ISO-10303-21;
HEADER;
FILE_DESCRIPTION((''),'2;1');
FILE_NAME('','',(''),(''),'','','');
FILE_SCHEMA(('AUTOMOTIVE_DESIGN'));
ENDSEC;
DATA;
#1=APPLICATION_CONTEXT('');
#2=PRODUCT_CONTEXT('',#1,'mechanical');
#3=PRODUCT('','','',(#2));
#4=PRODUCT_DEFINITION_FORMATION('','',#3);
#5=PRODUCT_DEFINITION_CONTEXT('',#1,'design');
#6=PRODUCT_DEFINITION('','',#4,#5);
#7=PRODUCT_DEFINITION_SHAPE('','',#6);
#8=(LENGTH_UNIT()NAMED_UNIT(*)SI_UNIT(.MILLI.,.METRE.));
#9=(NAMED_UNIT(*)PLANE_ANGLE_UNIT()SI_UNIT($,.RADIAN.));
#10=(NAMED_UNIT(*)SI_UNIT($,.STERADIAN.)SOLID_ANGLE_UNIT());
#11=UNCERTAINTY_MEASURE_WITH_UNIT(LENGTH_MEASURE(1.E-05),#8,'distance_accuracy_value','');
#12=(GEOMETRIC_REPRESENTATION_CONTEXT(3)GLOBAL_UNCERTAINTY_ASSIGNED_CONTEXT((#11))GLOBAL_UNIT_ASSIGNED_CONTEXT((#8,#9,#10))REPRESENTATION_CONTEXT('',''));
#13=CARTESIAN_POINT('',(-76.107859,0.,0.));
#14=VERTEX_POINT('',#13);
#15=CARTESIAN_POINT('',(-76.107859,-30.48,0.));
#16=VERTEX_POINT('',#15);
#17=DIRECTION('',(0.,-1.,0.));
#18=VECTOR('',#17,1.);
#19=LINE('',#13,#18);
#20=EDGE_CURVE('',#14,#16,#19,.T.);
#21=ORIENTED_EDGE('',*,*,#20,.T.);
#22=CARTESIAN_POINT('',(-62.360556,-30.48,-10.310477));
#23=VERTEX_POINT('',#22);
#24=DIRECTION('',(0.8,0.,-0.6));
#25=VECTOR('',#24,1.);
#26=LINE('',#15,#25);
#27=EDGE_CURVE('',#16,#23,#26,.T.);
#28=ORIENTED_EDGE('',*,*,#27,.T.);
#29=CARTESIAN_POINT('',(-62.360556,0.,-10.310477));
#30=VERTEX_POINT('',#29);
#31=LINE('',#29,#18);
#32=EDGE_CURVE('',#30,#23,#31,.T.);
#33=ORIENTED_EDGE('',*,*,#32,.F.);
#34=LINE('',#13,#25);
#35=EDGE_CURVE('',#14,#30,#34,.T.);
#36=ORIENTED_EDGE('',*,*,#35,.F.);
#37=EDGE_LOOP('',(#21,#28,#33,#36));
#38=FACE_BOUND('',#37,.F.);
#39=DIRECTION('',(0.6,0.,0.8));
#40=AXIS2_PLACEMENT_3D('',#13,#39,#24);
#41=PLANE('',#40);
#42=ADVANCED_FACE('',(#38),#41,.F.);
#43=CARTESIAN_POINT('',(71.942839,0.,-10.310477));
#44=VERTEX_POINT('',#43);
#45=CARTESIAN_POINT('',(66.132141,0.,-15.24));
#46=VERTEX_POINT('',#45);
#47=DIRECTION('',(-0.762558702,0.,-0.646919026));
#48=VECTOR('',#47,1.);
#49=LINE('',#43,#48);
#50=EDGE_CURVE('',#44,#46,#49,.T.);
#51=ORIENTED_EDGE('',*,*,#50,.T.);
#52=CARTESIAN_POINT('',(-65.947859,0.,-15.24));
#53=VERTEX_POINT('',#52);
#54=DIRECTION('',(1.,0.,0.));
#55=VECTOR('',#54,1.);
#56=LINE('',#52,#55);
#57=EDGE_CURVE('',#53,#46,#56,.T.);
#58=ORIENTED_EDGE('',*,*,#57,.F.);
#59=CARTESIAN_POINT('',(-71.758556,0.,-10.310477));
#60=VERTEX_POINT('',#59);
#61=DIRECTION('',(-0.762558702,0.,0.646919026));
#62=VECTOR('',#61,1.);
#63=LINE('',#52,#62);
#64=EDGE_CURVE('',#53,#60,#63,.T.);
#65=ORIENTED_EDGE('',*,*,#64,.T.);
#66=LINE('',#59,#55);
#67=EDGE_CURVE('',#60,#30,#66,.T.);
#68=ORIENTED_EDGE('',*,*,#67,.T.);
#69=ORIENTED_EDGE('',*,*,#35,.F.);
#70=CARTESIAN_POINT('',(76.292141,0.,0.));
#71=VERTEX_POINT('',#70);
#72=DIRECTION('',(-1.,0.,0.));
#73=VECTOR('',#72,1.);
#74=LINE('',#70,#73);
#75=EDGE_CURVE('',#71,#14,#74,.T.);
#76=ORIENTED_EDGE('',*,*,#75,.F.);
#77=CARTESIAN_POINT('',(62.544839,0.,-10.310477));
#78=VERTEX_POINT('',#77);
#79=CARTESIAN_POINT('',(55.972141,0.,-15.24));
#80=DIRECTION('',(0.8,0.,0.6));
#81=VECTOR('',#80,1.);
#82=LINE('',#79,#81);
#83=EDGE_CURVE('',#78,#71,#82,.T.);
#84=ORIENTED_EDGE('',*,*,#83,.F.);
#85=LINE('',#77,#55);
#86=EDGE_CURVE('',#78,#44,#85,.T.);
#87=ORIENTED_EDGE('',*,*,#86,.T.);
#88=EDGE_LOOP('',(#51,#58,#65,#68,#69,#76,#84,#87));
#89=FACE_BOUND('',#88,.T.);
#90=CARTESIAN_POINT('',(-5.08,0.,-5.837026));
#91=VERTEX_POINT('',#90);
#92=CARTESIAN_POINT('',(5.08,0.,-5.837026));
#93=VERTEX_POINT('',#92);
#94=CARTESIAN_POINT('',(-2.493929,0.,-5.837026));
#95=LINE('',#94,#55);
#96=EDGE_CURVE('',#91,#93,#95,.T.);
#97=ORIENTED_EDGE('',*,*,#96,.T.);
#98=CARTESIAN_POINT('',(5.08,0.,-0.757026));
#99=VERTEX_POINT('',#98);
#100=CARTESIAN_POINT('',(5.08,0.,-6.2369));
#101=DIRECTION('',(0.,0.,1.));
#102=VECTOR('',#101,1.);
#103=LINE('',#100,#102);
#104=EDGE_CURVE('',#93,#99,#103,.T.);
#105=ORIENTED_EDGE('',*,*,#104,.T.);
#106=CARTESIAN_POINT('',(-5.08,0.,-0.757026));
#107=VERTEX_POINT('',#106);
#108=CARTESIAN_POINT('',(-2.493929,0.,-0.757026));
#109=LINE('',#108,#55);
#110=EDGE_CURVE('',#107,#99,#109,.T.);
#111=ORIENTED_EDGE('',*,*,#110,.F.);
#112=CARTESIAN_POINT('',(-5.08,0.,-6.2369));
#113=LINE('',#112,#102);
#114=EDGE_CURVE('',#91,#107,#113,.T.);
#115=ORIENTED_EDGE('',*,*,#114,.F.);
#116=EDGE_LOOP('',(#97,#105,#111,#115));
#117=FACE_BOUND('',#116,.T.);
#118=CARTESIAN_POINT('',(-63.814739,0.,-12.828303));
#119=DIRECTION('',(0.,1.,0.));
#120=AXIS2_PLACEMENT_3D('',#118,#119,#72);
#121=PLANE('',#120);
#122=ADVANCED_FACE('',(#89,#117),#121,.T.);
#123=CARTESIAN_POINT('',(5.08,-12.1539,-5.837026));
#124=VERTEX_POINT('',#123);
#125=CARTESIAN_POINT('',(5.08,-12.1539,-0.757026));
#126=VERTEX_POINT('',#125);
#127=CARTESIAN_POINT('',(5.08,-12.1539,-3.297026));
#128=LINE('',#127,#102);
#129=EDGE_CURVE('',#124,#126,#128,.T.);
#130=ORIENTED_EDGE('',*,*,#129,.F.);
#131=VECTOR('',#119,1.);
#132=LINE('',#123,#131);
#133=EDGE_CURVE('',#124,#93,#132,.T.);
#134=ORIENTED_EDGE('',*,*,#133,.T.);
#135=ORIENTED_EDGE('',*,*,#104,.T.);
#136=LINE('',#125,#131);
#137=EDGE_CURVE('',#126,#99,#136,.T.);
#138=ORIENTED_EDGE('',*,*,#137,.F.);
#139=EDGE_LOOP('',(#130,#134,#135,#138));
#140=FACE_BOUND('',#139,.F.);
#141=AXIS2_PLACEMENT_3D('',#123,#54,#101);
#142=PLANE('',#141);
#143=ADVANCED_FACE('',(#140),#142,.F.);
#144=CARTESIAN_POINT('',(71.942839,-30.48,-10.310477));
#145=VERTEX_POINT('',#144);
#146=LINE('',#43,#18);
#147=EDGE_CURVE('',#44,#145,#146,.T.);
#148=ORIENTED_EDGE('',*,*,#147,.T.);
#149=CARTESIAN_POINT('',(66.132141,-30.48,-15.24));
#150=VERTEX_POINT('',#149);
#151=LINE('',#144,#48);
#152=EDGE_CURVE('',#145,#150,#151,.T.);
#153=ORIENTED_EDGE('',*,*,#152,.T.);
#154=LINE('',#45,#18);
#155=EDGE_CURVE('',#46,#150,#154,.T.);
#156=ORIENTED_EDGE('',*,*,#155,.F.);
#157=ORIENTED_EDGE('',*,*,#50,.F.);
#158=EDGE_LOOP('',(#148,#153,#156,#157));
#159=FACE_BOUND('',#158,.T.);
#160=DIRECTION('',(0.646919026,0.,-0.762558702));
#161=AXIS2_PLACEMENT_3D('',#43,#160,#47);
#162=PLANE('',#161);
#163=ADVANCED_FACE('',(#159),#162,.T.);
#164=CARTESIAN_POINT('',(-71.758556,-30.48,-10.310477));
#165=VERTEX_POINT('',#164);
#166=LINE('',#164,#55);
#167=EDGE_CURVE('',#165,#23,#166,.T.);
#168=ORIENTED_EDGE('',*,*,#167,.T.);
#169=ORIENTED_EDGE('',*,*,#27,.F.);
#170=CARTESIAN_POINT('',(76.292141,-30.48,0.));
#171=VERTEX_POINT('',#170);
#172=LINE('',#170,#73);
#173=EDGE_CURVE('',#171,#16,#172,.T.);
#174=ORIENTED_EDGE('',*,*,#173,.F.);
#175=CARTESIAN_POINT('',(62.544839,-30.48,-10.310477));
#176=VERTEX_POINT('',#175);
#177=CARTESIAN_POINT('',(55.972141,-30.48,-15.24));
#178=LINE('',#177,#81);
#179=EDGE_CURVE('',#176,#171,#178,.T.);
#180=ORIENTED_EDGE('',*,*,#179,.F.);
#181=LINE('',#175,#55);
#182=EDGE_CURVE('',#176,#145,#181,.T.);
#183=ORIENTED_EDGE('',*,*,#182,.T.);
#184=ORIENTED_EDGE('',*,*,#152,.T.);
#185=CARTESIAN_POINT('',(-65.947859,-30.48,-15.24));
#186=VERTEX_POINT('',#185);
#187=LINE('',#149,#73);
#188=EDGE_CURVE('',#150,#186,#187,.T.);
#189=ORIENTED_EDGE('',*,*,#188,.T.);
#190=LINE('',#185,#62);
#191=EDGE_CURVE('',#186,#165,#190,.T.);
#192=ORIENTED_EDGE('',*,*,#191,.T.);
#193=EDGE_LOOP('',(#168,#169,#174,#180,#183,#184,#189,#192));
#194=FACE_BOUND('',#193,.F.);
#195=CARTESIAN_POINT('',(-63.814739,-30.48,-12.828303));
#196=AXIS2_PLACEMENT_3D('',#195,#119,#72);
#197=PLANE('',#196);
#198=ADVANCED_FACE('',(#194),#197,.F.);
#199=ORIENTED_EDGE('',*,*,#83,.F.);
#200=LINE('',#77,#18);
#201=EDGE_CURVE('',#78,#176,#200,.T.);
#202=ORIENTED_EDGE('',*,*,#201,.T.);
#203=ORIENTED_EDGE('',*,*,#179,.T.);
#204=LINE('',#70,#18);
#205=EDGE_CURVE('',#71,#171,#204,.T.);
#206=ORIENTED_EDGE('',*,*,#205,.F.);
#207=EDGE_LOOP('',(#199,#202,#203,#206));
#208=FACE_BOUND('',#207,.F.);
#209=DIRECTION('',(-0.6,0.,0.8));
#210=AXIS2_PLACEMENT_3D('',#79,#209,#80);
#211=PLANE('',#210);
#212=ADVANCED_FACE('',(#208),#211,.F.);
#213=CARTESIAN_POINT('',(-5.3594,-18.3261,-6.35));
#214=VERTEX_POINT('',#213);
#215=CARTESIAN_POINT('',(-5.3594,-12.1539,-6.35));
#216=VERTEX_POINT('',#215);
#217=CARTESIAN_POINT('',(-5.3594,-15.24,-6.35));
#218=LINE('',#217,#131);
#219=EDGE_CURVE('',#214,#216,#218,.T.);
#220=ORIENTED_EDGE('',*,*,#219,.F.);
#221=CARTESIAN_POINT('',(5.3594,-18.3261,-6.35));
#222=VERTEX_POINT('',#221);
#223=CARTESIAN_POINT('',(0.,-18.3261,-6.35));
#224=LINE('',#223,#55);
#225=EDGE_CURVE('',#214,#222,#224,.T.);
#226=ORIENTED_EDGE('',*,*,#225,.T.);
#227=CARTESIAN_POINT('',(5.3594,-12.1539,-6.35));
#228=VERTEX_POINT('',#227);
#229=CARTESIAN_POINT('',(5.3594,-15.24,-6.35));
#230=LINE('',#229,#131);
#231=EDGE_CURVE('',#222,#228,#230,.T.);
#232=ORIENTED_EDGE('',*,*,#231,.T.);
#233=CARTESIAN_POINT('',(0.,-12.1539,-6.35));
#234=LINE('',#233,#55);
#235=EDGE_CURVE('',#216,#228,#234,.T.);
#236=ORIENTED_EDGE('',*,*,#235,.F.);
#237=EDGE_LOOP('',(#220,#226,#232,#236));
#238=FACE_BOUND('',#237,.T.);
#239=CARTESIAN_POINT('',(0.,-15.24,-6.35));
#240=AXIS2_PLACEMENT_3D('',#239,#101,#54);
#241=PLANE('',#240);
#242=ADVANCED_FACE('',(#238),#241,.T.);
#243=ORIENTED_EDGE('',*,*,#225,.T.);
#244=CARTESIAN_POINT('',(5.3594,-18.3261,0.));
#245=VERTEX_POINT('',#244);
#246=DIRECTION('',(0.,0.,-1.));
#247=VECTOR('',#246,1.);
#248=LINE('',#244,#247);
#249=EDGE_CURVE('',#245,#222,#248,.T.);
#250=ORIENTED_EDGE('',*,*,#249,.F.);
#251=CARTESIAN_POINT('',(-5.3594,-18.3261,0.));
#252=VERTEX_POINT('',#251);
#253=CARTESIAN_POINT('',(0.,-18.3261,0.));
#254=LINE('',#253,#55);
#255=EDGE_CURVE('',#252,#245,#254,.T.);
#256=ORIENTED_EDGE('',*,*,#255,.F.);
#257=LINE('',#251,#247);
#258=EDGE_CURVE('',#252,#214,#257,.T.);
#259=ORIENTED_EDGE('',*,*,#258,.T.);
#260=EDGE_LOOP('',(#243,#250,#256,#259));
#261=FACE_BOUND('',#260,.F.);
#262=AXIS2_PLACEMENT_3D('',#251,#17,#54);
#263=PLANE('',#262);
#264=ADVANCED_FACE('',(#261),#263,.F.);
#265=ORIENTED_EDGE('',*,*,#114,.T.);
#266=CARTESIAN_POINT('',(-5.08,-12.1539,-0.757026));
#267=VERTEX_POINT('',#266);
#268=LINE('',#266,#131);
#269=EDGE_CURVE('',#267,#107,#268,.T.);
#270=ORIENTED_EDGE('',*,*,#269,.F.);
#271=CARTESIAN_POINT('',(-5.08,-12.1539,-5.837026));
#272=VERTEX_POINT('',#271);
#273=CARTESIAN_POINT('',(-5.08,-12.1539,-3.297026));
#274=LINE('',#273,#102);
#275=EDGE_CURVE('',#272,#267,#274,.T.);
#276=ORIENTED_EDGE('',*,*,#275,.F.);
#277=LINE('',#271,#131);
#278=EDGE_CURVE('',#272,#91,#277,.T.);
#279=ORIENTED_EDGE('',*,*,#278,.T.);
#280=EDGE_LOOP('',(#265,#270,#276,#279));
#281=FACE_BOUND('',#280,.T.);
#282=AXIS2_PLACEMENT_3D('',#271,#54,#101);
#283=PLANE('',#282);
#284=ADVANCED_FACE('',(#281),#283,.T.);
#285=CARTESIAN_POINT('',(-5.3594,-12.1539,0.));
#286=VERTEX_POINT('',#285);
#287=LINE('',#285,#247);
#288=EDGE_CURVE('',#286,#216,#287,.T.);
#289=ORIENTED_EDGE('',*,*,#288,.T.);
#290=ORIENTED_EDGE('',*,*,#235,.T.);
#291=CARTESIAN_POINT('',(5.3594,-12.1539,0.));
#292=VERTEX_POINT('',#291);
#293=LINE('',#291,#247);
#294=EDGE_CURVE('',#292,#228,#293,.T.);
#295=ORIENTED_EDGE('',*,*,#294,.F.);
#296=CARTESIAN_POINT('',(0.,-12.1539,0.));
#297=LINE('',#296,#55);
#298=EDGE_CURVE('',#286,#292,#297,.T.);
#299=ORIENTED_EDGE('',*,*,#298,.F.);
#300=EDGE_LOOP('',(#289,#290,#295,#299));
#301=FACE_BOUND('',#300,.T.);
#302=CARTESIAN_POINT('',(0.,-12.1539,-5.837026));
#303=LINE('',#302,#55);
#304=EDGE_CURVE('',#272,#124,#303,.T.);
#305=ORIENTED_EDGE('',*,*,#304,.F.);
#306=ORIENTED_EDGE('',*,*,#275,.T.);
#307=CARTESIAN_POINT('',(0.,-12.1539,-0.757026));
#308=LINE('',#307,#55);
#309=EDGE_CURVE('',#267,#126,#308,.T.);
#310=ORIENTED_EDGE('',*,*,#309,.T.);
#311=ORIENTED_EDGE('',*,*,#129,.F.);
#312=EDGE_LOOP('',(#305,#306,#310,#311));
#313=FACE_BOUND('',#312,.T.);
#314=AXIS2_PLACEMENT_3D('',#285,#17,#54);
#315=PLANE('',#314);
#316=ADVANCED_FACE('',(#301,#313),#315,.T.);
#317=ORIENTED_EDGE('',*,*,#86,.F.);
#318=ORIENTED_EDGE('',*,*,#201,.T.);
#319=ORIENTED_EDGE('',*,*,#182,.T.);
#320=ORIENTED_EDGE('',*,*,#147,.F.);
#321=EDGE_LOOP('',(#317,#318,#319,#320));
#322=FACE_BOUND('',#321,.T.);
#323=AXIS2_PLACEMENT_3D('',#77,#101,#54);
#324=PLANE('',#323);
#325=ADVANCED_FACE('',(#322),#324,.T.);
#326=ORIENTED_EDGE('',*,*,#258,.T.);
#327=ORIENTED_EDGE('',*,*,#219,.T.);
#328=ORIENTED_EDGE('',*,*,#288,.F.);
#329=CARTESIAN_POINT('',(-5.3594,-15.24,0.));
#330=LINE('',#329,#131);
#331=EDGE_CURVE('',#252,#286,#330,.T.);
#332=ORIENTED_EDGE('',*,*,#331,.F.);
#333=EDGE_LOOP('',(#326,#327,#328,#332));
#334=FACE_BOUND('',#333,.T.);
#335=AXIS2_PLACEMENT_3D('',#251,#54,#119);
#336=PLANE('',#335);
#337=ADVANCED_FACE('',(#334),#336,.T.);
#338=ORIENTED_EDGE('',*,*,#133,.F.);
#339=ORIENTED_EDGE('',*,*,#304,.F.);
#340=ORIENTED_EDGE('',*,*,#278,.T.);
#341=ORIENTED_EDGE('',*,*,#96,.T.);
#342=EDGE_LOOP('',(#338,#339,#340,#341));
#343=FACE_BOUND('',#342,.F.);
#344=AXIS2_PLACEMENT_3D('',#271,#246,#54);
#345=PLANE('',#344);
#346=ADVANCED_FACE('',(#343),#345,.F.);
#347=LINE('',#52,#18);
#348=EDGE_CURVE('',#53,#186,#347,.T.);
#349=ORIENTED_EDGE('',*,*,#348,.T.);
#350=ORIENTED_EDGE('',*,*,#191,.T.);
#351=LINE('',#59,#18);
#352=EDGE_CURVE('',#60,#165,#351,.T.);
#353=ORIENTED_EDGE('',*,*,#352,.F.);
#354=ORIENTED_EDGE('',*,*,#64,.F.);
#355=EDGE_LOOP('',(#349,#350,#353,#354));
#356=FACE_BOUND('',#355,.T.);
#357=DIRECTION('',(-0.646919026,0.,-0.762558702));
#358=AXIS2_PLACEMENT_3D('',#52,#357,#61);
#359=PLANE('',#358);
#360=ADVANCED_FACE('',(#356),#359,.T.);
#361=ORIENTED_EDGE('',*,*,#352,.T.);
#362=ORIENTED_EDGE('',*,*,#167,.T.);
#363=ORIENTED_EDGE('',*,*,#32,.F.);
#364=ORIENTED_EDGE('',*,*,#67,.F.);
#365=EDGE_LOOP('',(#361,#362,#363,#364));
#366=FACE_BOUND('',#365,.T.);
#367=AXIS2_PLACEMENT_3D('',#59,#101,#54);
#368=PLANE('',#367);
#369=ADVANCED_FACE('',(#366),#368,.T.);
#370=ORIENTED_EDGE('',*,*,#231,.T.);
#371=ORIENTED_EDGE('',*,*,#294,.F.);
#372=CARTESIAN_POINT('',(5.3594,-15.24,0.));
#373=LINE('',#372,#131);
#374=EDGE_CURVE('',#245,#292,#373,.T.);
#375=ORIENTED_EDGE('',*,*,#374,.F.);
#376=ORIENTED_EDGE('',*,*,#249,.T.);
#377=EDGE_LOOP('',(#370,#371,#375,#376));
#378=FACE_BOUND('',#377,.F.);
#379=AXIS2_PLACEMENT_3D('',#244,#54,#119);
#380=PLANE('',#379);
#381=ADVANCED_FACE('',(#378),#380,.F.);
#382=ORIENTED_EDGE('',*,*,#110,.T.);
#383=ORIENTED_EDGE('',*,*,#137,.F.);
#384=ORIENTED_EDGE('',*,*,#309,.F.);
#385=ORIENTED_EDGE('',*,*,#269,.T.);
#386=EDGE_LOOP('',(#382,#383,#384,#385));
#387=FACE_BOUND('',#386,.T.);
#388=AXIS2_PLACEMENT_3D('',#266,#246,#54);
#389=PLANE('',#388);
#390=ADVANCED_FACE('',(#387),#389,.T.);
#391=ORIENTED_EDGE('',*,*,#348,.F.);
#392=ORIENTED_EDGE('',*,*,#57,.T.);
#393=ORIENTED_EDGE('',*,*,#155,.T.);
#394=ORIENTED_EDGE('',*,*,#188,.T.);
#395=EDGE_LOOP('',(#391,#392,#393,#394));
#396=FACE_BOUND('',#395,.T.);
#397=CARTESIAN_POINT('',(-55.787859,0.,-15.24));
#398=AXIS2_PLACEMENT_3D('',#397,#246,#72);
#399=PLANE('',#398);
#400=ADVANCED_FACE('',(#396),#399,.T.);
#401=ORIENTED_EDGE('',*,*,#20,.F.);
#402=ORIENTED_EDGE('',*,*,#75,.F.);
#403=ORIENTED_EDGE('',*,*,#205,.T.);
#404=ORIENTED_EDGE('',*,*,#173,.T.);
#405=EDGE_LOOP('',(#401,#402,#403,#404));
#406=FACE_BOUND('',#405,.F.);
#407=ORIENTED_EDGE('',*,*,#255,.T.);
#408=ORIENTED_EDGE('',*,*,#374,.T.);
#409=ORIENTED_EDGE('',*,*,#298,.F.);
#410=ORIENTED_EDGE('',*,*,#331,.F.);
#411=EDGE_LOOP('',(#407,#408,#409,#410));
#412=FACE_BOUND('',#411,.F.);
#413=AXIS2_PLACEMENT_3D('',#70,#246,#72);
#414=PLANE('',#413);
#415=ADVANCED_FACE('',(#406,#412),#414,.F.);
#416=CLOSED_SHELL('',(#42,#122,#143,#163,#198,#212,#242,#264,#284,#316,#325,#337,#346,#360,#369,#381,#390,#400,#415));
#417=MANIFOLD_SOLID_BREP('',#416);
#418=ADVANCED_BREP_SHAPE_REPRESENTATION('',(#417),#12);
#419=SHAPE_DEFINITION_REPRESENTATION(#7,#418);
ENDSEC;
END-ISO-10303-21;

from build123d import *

# Parameters (mm, degrees)
F1_DEPTH = 30.48
F2_W     = 10.7188
F2_H     = 6.1722
F3_DEPTH = 6.35
F4_W     = 10.16
F4_H     = 5.08
F5_DEPTH = 25.4
F7_DEPTH = 30.48


with BuildPart() as f1:
    # F0 (on Front) → F1 (new body)
    with BuildSketch(Plane.XZ):
        Polygon((76.2921414277, 0), (-76.1078585723, 0), (-55.7878585723, -15.24), (55.9721414277, -15.24), align=None)
    extrude(amount=F1_DEPTH)

    # F2 (on face) → F3 (cut)
    with BuildSketch(Plane.XY):
        with Locations((0, -15.24)):
            Rectangle(F2_W, F2_H)
    extrude(amount=-F3_DEPTH, mode=Mode.SUBTRACT)

    # F4 (on face) → F5 (cut)
    with BuildSketch(Plane.XZ.offset(12.1539)):
        with Locations((0, -3.297025953)):
            Rectangle(F4_W, F4_H)
    extrude(amount=-F5_DEPTH, mode=Mode.SUBTRACT)

    # F6 (on face) → F7 (join)
    with BuildSketch(Plane(origin=(0, 0, 0), x_dir=(-1, 0, 0), z_dir=(0, 1, 0))):
        Polygon((62.3605558789, -10.31047702), (55.7878585723, -15.24), (65.9478585723, -15.24), (71.7585558789, -10.31047702), align=None)
        Polygon((-55.9721414277, -15.24), (-62.5448387344, -10.31047702), (-71.9428387344, -10.31047702), (-66.1321414277, -15.24), align=None)
    extrude(amount=-F7_DEPTH)


solid = f1.part
